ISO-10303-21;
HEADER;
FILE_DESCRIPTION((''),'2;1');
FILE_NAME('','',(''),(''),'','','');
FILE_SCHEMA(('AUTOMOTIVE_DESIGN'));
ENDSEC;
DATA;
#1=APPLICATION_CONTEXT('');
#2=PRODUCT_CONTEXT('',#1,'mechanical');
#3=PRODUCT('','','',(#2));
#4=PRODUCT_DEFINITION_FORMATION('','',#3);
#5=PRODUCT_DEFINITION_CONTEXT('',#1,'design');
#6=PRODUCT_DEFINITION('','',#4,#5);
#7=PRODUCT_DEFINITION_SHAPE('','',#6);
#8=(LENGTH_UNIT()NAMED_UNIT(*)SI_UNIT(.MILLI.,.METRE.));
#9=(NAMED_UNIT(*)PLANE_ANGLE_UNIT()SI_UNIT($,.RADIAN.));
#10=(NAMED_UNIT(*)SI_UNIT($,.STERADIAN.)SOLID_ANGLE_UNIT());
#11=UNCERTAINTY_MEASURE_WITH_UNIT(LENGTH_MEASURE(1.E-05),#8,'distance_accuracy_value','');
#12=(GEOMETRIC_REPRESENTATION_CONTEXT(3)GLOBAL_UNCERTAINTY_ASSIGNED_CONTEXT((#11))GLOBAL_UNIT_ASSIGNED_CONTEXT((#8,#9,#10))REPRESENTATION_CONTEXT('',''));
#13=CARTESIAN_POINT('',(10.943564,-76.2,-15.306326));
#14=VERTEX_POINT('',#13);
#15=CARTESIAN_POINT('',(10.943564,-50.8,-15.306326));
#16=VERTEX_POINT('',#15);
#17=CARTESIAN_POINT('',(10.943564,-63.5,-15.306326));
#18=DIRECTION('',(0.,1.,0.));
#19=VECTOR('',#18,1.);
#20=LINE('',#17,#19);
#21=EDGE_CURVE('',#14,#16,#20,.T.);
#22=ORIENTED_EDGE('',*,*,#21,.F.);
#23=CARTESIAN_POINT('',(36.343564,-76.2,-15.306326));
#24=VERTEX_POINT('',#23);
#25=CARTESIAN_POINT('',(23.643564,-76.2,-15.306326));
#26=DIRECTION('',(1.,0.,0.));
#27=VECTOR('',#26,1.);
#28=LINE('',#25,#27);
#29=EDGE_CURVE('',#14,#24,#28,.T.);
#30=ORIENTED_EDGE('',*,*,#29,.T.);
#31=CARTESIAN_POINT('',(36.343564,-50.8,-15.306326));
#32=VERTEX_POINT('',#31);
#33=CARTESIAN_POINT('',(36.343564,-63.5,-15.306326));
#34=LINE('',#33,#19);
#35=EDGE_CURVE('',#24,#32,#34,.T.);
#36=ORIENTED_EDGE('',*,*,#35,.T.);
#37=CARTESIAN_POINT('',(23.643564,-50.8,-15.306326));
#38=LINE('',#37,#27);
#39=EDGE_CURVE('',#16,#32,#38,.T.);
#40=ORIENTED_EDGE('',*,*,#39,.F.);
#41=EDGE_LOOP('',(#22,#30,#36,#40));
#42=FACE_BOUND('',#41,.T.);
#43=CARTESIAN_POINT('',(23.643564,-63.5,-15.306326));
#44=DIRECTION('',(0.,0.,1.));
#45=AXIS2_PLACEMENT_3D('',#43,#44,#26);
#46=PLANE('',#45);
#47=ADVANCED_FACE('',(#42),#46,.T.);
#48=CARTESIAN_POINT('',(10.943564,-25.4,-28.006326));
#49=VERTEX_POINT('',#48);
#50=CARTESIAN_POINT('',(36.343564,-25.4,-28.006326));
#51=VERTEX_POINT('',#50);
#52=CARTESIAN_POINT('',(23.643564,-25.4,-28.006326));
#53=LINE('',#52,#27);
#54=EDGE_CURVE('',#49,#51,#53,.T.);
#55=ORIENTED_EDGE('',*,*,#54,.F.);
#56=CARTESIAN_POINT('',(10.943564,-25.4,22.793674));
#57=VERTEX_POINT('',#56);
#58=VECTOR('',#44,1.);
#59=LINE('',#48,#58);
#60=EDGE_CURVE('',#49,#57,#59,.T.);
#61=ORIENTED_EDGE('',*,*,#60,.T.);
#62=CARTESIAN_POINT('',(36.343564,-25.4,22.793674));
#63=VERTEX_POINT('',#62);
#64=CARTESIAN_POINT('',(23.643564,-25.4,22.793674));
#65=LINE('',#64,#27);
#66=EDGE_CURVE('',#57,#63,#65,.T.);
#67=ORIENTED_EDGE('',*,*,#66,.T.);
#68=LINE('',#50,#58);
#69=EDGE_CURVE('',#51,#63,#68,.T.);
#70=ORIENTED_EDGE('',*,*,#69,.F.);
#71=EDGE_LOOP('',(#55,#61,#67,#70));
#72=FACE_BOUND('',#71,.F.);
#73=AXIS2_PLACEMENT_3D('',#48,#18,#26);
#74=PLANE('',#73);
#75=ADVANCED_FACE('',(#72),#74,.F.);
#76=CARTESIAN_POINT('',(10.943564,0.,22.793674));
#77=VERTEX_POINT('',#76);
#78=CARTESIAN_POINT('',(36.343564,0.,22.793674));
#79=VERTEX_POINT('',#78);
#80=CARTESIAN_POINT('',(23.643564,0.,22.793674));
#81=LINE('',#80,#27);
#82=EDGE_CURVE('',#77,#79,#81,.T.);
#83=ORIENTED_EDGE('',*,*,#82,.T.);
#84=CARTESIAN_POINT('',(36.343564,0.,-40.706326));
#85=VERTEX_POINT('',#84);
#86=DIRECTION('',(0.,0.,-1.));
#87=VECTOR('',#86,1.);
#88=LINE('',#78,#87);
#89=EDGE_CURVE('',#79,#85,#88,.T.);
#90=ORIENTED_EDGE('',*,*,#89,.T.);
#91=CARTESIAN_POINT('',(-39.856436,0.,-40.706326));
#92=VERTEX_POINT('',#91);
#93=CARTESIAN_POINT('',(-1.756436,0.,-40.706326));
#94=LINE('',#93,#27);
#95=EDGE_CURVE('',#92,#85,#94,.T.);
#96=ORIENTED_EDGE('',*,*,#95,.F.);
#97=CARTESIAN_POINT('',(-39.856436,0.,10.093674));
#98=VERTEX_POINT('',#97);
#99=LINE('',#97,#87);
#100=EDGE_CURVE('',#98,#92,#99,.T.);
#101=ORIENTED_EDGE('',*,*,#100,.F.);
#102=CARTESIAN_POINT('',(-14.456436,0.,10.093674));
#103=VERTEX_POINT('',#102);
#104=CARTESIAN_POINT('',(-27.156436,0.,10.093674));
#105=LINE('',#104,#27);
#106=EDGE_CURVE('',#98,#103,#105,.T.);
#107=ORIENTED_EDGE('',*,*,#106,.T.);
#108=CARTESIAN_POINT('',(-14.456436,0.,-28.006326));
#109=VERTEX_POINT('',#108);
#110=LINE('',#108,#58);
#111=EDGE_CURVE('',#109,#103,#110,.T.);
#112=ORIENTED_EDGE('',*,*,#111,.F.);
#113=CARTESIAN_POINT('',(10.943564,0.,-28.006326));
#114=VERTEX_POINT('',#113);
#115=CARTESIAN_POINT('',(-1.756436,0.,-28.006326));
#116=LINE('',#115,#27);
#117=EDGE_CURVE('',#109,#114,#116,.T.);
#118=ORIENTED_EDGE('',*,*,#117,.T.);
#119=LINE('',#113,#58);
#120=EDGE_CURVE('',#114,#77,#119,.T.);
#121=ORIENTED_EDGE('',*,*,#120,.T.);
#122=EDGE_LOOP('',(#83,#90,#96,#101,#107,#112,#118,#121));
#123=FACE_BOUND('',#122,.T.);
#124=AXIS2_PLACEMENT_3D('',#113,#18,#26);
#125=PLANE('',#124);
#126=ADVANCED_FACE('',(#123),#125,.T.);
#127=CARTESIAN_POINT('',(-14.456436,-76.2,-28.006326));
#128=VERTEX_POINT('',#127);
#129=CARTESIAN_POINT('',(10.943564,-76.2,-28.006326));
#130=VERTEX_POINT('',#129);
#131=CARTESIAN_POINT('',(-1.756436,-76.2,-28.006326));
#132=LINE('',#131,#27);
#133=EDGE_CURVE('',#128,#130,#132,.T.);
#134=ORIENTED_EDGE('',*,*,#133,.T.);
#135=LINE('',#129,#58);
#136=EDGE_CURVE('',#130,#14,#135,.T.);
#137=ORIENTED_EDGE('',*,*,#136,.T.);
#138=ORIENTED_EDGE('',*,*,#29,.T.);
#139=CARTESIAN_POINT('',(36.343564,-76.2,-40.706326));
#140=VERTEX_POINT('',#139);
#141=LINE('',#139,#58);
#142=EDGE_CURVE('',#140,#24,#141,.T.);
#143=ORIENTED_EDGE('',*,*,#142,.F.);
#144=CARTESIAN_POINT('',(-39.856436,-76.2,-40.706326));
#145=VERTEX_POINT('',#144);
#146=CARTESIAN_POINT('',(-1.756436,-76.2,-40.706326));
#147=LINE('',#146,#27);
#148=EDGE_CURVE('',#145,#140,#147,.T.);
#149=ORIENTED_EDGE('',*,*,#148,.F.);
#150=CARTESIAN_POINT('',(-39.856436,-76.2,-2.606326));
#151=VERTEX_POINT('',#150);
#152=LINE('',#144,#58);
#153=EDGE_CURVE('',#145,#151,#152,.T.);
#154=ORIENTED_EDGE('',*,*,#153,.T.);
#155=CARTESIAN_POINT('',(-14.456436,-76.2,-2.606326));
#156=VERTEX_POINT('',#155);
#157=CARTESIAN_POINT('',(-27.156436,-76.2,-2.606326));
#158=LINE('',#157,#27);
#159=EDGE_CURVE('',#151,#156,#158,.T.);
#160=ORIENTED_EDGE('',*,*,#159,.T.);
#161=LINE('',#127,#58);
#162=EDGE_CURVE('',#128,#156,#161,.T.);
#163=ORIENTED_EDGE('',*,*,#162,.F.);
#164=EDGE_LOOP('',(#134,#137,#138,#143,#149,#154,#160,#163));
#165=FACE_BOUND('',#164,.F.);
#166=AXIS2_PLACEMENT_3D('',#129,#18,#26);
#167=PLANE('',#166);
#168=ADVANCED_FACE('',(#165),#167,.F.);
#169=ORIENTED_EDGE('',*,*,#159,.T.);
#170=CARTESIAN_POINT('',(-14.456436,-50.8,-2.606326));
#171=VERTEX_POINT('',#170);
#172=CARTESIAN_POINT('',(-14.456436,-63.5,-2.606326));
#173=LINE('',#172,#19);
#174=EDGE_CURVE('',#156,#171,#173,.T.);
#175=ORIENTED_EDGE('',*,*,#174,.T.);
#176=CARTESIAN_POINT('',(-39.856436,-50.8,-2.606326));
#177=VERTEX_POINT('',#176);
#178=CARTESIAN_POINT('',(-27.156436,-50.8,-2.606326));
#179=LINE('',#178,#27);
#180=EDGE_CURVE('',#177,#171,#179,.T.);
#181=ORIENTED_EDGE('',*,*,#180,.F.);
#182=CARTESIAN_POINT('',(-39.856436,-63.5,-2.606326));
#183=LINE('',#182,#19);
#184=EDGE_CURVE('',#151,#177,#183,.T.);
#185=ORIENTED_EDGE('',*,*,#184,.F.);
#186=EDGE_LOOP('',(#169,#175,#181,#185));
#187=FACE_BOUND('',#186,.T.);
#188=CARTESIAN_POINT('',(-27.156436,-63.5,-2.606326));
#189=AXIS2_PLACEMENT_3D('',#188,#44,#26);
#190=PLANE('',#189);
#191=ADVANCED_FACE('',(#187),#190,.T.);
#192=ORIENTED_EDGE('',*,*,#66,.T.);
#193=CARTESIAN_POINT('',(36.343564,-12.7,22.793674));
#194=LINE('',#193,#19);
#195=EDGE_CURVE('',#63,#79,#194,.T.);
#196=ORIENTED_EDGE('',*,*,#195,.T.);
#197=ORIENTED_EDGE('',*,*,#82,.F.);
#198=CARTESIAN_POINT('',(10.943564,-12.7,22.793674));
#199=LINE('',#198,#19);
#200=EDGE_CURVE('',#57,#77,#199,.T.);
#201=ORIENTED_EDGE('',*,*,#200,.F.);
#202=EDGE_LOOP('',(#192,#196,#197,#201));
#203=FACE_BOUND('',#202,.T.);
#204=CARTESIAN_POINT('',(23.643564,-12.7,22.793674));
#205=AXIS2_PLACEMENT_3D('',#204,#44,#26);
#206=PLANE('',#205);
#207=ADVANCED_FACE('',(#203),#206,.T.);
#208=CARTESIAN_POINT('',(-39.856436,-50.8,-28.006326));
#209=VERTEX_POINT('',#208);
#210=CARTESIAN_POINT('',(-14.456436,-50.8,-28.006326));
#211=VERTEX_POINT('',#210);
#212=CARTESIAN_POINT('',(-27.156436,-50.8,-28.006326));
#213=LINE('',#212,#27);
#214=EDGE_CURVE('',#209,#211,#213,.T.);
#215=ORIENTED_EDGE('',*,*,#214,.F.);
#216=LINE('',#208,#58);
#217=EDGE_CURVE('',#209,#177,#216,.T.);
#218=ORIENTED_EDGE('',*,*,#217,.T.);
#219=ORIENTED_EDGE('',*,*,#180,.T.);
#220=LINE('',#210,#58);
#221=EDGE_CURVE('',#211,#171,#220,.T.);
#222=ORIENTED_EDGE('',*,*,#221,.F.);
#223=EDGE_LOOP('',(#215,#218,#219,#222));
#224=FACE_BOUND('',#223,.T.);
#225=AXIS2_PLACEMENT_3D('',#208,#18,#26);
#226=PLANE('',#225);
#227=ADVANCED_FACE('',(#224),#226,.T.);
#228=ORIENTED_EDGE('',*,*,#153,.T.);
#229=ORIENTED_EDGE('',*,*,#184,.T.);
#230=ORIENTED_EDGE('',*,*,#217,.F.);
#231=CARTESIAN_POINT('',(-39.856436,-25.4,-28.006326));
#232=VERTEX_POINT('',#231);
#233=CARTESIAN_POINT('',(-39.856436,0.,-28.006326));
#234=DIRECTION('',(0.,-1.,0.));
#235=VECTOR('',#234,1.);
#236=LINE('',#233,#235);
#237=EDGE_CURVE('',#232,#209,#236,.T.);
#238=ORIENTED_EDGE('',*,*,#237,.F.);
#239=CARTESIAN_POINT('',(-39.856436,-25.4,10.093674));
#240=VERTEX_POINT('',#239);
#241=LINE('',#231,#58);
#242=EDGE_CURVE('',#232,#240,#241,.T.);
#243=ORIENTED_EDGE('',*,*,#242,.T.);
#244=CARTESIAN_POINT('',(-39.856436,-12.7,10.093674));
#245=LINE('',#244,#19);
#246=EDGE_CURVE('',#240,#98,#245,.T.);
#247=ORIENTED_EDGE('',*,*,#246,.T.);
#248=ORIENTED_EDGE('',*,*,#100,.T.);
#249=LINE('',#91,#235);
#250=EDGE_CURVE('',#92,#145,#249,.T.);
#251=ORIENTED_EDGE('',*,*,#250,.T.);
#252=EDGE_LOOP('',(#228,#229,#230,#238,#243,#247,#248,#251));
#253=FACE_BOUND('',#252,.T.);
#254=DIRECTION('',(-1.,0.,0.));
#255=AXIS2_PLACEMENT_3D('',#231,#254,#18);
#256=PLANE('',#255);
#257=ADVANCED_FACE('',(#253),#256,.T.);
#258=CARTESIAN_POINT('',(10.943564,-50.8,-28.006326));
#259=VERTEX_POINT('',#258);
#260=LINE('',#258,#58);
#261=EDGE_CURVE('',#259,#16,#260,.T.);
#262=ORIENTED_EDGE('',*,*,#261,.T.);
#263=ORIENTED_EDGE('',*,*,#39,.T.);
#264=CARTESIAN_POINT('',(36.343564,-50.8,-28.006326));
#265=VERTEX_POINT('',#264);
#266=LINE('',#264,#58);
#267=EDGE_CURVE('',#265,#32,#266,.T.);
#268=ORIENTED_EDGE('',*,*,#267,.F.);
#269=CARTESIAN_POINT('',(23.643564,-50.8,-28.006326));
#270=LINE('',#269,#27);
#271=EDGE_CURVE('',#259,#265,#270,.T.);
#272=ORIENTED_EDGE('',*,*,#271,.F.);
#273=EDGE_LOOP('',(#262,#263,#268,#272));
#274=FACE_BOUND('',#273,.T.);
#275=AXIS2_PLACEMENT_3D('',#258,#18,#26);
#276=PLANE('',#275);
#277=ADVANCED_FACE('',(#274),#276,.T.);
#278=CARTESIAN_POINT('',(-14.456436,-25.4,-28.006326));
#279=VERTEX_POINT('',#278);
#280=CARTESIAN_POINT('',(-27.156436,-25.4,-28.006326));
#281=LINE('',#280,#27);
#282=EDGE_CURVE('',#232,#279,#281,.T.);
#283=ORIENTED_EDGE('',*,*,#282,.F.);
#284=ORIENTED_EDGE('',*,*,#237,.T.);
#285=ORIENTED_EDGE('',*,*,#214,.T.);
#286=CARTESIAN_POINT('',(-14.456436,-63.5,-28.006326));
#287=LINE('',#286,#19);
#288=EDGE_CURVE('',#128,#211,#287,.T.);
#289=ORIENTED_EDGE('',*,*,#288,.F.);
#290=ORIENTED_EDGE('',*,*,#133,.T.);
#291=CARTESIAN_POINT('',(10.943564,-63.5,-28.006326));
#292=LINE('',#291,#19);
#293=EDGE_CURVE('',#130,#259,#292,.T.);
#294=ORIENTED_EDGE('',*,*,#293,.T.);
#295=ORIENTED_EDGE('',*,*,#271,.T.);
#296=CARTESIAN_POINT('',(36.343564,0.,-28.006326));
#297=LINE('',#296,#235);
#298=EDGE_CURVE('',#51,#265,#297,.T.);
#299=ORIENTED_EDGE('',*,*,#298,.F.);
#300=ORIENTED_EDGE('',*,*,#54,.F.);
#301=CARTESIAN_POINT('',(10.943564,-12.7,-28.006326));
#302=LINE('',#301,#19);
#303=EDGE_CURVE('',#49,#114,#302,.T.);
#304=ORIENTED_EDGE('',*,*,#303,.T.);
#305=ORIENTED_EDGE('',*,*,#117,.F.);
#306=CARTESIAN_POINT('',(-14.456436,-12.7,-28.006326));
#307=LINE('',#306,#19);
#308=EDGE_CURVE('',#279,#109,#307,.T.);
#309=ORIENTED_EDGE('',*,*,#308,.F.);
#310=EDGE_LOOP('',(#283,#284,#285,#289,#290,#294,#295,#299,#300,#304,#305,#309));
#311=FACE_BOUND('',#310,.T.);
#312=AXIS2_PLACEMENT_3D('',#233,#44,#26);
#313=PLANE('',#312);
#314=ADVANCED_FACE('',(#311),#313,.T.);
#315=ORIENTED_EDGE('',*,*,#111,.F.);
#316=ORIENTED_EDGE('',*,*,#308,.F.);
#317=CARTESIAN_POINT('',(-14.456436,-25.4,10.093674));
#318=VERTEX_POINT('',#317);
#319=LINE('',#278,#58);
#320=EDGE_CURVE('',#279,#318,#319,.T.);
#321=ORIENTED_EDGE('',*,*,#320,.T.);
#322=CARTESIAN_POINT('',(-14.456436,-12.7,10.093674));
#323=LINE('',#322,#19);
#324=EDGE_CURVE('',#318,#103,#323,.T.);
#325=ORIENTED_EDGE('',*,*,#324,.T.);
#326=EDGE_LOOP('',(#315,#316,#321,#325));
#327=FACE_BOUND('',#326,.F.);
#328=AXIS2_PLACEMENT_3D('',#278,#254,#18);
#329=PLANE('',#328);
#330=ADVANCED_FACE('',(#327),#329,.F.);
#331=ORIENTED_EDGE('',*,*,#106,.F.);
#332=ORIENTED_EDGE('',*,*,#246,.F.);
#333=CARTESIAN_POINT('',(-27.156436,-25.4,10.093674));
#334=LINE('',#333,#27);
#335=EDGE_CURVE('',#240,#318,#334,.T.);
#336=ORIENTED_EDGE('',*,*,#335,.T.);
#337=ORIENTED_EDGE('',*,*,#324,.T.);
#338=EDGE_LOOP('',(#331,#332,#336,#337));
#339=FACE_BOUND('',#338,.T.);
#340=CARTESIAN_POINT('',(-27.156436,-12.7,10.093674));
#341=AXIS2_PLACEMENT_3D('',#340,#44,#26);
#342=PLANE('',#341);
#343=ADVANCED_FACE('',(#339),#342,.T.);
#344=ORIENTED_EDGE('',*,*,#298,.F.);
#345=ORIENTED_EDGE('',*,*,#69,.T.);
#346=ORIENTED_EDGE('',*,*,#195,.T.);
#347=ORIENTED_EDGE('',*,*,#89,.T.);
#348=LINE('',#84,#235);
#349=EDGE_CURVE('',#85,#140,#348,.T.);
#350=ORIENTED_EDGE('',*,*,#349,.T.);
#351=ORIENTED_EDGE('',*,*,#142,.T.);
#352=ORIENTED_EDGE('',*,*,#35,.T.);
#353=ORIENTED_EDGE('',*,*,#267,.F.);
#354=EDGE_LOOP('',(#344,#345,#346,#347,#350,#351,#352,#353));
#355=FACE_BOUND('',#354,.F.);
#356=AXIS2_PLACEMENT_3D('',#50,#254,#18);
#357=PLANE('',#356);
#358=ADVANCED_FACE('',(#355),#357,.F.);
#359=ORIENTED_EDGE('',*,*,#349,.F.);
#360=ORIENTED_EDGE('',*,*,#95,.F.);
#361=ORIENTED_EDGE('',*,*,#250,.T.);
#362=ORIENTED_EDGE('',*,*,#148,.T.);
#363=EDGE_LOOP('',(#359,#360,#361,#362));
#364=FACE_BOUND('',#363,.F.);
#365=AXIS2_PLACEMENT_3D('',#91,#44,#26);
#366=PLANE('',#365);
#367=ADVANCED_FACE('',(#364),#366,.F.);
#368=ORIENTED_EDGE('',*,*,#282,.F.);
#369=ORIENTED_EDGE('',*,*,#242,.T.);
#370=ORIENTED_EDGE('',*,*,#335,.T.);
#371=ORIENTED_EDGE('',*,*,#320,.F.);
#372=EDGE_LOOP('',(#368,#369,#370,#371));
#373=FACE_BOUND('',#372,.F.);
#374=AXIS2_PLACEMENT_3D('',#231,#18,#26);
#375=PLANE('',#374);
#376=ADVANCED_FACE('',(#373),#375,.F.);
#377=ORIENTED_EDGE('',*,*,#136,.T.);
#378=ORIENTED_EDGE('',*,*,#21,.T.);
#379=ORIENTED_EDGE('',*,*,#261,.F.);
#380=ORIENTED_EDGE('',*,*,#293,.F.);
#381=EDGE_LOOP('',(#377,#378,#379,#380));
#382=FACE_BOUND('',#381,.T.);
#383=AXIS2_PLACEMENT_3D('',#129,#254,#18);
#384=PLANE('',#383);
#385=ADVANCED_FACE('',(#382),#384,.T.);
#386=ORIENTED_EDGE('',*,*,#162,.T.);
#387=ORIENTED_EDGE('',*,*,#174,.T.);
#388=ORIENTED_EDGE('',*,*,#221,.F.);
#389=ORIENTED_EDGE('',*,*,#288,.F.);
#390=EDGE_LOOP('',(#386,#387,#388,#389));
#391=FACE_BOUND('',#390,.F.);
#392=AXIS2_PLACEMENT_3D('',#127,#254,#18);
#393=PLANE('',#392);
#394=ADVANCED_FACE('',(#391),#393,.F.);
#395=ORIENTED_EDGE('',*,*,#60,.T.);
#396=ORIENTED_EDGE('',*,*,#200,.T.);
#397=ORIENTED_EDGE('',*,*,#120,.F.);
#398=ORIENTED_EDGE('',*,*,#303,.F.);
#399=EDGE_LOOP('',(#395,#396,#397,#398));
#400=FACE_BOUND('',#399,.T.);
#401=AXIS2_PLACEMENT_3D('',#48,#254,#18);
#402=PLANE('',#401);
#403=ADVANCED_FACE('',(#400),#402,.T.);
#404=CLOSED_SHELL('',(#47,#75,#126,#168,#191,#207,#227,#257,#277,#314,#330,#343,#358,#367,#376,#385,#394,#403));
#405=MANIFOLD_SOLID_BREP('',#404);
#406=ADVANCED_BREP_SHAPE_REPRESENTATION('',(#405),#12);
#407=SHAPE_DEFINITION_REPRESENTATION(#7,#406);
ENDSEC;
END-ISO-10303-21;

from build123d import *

# Parameters (mm, degrees)
F0_W     = 76.2
F0_H     = 12.7
F1_DEPTH = 76.2
F2_W     = 25.4
F2_H     = 25.4
F3_DEPTH = 25.4
F4_DEPTH = 12.7
F5_DEPTH = 38.1
F6_DEPTH = 50.8


with BuildPart() as f1:
    # F0 (on Front) → F1 (new body)
    with BuildSketch(Plane.XZ):
        with Locations((-1.756436, -34.356326)):
            Rectangle(F0_W, F0_H)
    extrude(amount=F1_DEPTH)

    # F2 (on face) → F3 (join)
    with BuildSketch(Plane.XY.offset(-28.006326)):
        with Locations((-27.156436, -63.5)):
            Rectangle(F2_W, F2_H)
    extrude(amount=F3_DEPTH)

    # F2 (on face) → F4 (join)
    with BuildSketch(Plane.XY.offset(-28.006326)):
        with Locations((23.643564, -63.5)):
            Rectangle(F2_W, F2_H)
    extrude(amount=F4_DEPTH)

    # F2 (on face) → F5 (join)
    with BuildSketch(Plane.XY.offset(-28.006326)):
        with Locations((-27.156436, -12.7)):
            Rectangle(F2_W, F2_H)
    extrude(amount=F5_DEPTH)

    # F2 (on face) → F6 (join)
    with BuildSketch(Plane.XY.offset(-28.006326)):
        with Locations((23.643564, -12.7)):
            Rectangle(F2_W, F2_H)
    extrude(amount=F6_DEPTH)


solid = f1.part
